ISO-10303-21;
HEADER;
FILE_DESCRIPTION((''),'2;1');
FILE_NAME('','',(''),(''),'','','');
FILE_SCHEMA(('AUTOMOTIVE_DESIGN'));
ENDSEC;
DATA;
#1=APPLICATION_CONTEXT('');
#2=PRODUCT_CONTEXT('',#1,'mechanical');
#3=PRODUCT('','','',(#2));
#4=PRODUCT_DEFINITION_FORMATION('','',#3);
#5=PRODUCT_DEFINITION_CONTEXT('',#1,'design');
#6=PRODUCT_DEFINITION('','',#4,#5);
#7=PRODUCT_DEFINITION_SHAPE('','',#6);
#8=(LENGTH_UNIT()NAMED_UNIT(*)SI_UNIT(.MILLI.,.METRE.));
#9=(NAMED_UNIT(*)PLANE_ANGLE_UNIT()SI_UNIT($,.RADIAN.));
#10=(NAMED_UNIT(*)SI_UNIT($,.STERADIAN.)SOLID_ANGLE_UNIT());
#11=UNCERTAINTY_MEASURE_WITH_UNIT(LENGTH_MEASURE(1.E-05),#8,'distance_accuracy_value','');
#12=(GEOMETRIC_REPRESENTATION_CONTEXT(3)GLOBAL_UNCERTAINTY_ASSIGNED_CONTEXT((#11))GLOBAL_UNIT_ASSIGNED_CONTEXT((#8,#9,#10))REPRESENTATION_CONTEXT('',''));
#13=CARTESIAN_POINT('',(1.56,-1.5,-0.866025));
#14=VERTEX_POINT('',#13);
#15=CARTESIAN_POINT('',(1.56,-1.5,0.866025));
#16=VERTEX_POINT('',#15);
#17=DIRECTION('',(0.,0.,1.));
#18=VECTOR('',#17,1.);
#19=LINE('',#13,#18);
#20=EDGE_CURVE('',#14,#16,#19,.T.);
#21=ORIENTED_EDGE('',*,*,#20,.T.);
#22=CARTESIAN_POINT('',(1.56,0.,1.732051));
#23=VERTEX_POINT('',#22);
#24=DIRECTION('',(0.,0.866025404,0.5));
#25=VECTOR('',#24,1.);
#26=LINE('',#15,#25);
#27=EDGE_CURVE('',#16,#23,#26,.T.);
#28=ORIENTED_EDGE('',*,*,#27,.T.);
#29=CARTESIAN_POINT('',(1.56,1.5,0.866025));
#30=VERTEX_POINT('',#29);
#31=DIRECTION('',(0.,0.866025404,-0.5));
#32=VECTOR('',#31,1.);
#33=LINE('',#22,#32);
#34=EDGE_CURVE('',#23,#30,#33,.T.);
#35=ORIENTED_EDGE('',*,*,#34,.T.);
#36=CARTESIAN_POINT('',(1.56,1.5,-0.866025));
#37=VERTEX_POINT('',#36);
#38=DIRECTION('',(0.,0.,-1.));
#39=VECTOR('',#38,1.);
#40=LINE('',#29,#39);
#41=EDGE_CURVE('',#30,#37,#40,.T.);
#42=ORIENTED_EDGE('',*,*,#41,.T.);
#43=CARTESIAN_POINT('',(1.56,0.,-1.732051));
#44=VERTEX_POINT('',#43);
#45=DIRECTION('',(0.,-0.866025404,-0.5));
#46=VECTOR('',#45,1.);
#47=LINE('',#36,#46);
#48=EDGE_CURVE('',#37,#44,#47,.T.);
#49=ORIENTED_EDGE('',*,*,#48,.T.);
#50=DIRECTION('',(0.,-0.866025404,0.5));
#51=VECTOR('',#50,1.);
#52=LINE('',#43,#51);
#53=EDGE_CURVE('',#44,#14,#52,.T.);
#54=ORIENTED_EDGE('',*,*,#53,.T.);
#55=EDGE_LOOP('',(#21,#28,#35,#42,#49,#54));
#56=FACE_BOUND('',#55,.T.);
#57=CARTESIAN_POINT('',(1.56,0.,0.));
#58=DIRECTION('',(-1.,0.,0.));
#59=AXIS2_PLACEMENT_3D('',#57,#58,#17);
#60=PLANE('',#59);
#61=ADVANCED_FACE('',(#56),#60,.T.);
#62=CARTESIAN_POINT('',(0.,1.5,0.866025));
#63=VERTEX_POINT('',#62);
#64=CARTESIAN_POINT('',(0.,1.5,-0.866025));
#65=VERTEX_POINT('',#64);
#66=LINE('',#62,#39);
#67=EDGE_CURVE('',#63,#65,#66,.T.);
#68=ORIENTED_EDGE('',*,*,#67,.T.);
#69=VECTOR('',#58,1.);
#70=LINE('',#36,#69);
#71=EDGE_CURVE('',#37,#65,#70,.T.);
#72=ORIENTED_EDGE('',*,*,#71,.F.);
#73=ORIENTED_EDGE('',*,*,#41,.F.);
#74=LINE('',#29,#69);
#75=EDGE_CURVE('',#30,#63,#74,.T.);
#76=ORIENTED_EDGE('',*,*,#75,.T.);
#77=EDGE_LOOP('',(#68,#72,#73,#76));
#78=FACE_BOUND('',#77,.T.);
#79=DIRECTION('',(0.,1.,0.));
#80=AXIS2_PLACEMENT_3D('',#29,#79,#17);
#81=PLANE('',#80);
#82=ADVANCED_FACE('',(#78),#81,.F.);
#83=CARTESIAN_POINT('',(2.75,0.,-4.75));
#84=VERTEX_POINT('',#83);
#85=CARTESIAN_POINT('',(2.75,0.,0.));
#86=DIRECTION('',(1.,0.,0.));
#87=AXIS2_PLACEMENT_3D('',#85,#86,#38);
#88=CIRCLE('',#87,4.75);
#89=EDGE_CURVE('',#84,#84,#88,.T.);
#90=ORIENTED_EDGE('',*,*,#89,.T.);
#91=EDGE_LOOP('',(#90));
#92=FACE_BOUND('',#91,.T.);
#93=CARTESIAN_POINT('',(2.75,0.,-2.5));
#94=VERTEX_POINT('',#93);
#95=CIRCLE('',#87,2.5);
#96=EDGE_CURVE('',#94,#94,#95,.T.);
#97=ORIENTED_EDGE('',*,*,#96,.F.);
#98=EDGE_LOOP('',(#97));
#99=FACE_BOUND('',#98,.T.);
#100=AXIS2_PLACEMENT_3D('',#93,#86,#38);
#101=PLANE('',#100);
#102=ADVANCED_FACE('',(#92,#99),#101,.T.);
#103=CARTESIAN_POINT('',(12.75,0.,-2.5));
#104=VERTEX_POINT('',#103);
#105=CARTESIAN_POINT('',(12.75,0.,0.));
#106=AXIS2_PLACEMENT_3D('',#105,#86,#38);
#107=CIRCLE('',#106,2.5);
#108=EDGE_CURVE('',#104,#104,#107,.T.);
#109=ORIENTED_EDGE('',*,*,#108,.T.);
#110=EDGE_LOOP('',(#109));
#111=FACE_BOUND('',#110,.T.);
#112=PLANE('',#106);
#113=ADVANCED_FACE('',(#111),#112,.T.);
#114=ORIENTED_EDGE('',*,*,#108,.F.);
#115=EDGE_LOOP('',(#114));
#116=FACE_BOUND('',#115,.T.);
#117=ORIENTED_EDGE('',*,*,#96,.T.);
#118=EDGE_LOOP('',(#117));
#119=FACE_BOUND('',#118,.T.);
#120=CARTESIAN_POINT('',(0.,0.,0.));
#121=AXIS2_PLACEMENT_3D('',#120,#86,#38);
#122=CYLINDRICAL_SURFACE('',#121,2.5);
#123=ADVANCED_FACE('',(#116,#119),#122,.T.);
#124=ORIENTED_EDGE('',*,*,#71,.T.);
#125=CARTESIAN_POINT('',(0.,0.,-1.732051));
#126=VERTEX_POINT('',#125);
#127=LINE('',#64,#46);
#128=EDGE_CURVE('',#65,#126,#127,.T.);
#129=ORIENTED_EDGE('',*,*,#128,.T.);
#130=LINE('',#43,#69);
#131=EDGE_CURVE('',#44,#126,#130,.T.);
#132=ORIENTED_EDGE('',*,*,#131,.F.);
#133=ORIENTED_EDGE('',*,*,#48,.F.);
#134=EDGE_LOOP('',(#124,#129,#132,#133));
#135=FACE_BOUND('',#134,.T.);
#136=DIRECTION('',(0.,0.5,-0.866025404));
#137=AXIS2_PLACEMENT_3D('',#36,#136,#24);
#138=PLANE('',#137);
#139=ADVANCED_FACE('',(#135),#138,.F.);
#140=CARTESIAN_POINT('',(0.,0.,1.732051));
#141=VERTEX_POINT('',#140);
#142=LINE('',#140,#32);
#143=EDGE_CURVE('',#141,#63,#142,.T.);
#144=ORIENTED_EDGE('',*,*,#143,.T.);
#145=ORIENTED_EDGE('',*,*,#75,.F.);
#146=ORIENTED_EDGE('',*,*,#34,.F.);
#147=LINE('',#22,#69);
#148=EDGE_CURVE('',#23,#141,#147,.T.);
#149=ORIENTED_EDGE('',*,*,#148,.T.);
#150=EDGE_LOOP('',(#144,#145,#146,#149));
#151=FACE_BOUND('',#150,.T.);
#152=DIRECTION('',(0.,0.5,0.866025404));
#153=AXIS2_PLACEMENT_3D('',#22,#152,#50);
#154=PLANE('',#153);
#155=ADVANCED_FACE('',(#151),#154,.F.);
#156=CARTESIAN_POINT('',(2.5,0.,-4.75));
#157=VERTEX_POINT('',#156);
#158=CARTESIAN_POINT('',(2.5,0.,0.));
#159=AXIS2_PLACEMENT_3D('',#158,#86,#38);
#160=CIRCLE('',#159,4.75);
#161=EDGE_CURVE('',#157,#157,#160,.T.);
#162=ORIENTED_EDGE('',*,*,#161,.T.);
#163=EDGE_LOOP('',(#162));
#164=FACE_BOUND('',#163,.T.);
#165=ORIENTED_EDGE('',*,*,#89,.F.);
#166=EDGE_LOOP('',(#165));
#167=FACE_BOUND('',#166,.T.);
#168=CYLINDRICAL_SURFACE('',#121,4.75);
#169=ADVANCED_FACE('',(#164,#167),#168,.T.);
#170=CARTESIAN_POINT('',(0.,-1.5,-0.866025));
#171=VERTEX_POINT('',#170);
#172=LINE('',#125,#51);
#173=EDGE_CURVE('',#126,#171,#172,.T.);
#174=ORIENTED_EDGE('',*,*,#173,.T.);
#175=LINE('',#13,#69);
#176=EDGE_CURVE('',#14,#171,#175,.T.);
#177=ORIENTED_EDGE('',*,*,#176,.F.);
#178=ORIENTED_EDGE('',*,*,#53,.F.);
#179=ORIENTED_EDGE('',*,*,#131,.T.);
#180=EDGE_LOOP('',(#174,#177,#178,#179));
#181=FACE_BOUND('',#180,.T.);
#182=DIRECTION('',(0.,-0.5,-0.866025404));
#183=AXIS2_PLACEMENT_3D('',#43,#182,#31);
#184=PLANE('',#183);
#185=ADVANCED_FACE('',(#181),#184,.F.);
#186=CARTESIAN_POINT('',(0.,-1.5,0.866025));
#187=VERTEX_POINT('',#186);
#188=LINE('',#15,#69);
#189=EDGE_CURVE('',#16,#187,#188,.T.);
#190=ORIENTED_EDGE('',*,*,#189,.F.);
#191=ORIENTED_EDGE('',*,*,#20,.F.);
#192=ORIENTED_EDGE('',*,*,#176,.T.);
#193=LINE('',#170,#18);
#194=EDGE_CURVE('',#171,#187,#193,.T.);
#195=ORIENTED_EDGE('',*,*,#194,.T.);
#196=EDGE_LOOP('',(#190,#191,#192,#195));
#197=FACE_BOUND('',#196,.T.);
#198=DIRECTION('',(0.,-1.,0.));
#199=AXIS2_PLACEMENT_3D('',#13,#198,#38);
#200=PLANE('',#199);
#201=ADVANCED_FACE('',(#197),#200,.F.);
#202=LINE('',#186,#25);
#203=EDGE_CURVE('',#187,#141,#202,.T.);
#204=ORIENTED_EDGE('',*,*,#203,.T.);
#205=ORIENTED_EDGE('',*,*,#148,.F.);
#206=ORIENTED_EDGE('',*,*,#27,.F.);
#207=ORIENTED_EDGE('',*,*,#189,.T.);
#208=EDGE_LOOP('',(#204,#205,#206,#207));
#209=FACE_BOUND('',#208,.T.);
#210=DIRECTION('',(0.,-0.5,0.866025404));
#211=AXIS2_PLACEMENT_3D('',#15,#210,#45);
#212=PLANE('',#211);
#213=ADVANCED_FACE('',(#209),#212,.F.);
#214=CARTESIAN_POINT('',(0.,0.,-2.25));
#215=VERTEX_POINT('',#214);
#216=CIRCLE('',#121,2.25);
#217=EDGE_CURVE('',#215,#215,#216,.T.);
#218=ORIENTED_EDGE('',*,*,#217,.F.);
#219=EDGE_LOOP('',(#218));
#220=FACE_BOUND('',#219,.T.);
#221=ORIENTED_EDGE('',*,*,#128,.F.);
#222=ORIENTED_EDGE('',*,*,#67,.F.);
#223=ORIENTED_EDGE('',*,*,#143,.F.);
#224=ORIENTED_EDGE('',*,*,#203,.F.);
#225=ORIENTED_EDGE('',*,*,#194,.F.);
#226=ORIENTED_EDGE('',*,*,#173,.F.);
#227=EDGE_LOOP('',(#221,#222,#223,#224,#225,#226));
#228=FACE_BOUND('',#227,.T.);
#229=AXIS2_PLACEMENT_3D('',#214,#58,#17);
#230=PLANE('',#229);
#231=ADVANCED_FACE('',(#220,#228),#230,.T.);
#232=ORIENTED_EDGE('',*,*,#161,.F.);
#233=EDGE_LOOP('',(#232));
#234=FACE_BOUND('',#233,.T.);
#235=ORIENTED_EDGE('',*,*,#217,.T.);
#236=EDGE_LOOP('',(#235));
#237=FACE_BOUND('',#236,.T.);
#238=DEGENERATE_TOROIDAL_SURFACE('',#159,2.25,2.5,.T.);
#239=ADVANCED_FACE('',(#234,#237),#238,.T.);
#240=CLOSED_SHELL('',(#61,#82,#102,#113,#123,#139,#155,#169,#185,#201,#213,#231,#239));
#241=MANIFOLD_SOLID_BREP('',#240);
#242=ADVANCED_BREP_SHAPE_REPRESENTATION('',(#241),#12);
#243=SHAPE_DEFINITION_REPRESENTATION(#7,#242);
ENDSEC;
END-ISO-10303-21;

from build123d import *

# Parameters (mm, degrees)
CUT_EXTRUDE1_DEPTH = 1.56


with BuildPart() as part:
    # Sketch1 → Revolve1 (revolve)
    with BuildSketch(Plane(origin=(0, 0, 0), x_dir=(1, 0, 0), z_dir=(0, 1, 0))):
        with BuildLine():
            Line((0, 0), (12.75, 0))
            Line((12.75, 0), (12.75, 2.5))
            Line((12.75, 2.5), (2.75, 2.5))
            Line((2.75, 2.5), (2.75, 4.75))
            Line((2.75, 4.75), (2.5, 4.75))
            ThreePointArc((2.5, 4.75), (0.732233047, 4.017766953), (0, 2.25))
            Line((0, 2.25), (0, 0))
        make_face()
    revolve(axis=Axis((0, 0, 0), (-1, 0, 0)))

    # Sketch2 → Cut-Extrude1 (cut)
    with BuildSketch(Plane.ZY):
        Polygon((1.732050808, 0), (0.866025404, 1.5), (-0.866025404, 1.5), (-1.732050808, 0), (-0.866025404, -1.5), (0.866025404, -1.5), align=None)
    extrude(amount=-CUT_EXTRUDE1_DEPTH, mode=Mode.SUBTRACT)


solid = part.part
